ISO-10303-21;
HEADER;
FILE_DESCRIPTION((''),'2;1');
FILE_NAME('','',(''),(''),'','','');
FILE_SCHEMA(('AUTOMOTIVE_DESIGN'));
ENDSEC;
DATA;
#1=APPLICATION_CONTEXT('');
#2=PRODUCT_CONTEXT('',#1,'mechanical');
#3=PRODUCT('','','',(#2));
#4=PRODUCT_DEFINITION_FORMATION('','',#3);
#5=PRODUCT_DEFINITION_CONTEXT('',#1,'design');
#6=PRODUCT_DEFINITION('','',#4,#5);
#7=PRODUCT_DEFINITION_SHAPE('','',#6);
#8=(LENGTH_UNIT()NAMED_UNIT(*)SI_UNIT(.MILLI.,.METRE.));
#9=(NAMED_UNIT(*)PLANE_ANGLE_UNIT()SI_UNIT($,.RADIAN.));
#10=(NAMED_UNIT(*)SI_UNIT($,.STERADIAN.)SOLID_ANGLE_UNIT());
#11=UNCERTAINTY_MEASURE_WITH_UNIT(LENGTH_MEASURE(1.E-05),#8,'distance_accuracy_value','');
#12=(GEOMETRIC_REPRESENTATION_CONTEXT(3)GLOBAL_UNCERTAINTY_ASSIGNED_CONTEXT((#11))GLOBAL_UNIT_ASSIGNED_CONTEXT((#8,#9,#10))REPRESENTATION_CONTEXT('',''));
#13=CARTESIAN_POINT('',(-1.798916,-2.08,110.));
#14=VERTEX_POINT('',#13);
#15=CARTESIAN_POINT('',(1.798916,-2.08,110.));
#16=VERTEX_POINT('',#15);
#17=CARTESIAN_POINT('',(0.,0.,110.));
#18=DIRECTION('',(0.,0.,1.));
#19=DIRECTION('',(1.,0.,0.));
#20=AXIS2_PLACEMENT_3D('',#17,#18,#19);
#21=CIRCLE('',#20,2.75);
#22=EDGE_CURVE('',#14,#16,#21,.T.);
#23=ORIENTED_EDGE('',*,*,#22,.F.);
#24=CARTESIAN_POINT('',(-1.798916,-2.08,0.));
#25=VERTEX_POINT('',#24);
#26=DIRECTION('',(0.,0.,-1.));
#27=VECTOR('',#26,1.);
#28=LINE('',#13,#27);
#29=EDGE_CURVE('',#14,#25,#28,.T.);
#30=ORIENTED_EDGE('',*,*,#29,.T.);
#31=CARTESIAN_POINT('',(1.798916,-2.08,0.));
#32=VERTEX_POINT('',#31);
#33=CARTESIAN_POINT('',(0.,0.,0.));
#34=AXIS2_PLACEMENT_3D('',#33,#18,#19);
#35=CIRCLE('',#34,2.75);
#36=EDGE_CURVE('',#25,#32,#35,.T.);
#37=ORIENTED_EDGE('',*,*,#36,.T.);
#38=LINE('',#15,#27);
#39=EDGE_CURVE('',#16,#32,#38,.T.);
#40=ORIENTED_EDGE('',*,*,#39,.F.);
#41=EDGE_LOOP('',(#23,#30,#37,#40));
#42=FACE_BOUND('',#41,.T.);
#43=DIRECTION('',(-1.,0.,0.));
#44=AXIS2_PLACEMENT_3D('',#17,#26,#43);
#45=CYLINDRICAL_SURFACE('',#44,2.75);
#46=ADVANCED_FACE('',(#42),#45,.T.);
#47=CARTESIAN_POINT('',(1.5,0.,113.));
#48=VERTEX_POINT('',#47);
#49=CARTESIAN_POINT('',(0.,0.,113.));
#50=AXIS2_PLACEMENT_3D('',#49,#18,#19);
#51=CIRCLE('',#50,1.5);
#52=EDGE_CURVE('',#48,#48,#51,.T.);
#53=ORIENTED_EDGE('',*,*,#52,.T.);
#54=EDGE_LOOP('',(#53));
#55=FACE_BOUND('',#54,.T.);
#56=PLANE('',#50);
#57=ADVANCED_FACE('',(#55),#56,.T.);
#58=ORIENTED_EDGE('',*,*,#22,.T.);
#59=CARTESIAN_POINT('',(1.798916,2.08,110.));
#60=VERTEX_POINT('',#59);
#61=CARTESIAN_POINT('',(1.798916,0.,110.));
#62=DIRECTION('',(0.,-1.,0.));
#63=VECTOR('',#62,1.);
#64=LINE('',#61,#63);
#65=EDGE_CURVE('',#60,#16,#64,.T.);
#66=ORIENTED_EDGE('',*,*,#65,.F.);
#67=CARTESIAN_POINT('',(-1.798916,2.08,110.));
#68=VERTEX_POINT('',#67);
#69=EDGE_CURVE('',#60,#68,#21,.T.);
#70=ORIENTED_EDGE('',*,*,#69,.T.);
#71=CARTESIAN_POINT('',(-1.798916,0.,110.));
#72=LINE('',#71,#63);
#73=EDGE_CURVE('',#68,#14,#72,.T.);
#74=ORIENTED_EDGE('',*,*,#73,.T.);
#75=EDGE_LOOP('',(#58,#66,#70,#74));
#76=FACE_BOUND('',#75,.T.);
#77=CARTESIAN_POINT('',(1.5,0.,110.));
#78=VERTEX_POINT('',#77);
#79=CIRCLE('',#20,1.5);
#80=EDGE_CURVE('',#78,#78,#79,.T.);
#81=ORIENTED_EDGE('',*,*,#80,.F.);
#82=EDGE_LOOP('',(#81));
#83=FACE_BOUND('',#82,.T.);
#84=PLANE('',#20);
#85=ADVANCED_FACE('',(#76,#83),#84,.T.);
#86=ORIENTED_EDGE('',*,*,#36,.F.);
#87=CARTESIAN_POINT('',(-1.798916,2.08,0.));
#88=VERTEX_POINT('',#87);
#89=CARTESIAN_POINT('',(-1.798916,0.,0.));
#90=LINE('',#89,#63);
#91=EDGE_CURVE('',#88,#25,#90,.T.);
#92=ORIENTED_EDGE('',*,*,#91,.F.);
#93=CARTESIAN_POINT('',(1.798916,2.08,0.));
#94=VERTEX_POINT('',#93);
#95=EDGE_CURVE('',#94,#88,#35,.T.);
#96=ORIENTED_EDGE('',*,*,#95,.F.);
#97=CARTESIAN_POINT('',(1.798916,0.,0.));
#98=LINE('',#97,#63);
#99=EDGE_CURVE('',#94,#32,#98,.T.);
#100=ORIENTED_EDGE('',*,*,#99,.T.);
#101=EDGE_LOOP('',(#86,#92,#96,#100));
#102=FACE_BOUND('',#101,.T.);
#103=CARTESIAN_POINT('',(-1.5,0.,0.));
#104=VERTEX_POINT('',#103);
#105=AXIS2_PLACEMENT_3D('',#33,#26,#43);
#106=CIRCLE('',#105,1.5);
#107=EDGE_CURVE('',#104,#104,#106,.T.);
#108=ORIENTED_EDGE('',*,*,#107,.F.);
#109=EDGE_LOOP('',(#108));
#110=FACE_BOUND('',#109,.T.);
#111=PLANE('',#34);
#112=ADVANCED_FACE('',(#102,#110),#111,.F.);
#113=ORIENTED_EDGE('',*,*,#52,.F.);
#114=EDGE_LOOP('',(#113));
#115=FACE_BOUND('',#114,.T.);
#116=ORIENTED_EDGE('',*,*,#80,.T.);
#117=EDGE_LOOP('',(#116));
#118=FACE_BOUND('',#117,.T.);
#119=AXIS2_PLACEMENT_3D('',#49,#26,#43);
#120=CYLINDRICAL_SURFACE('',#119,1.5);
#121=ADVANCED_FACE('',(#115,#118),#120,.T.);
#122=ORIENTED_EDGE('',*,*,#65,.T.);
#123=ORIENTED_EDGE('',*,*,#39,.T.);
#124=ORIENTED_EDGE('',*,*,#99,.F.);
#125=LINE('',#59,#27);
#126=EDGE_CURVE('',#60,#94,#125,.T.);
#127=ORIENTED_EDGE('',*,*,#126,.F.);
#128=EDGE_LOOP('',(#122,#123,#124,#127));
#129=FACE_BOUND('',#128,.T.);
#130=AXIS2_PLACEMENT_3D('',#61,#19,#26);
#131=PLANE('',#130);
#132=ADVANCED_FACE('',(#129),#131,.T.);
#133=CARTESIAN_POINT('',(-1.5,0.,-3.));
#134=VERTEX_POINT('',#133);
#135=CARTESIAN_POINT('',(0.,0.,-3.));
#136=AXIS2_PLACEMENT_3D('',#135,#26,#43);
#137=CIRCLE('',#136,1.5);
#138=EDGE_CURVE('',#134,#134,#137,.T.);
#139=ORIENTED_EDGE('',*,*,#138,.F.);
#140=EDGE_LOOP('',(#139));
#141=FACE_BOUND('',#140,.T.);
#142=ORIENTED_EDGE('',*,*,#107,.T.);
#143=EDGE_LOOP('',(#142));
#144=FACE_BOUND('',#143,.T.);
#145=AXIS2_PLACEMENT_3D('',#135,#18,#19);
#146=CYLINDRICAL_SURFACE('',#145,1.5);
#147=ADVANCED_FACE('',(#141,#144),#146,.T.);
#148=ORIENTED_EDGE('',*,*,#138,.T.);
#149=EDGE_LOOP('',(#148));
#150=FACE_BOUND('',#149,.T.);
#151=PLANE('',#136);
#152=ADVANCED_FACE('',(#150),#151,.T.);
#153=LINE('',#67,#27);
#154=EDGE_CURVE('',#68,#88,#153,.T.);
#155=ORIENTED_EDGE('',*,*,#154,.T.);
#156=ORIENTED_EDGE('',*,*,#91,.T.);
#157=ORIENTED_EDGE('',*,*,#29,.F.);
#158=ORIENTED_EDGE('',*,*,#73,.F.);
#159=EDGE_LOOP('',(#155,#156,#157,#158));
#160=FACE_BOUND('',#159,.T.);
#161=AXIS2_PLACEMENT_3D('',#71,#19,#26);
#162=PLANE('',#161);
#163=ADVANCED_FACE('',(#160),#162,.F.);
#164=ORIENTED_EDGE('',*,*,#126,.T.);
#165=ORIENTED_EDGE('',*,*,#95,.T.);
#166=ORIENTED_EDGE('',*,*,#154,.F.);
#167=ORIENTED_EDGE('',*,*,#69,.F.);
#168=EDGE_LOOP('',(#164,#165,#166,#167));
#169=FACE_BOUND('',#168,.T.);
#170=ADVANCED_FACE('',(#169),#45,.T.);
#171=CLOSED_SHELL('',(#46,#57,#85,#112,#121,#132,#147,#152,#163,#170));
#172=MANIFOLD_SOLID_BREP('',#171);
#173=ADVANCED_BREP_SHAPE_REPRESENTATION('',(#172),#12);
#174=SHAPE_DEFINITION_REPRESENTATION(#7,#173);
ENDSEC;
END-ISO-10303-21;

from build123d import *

# Parameters (mm, degrees)
Y_KSEKLIK_EKSTR_ZYON1_DEPTH = 110
IZIM5_R                     = 1.5
Y_KSEKLIK_EKSTR_ZYON3_DEPTH = 3
Y_KSEKLIK_EKSTR_ZYON4_START = 3
IZIM6_R                     = 1.5
Y_KSEKLIK_EKSTR_ZYON4_DEPTH = 3


with BuildPart() as part:
    # Çizim2 → Yükseklik-Ekstrüzyon1 (new body)
    with BuildSketch(Plane.XY):
        with BuildLine():
            ThreePointArc((1.79891634, 2.08), (0, 2.75), (-1.79891634, 2.08))
            Line((-1.79891634, 2.08), (-1.79891634, -2.08))
            ThreePointArc((-1.79891634, -2.08), (0, -2.75), (1.79891634, -2.08))
            Line((1.79891634, -2.08), (1.79891634, 2.08))
        make_face()
    extrude(amount=Y_KSEKLIK_EKSTR_ZYON1_DEPTH)

    # Çizim5 → Yükseklik-Ekstrüzyon3 (add)
    with BuildSketch(Plane.XY.offset(110)):
        Circle(IZIM5_R)
    extrude(amount=Y_KSEKLIK_EKSTR_ZYON3_DEPTH)

    # Çizim6 → Yükseklik-Ekstrüzyon4 (add)
    with BuildSketch(Plane(origin=(0, 0, 0), x_dir=(-1, 0, 0), z_dir=(0, 0, -1)).offset(Y_KSEKLIK_EKSTR_ZYON4_START)):
        with Locations(Location((0, 0, 0), (0, 0, 180))):
            Circle(IZIM6_R)
    extrude(amount=-Y_KSEKLIK_EKSTR_ZYON4_DEPTH)


solid = part.part
